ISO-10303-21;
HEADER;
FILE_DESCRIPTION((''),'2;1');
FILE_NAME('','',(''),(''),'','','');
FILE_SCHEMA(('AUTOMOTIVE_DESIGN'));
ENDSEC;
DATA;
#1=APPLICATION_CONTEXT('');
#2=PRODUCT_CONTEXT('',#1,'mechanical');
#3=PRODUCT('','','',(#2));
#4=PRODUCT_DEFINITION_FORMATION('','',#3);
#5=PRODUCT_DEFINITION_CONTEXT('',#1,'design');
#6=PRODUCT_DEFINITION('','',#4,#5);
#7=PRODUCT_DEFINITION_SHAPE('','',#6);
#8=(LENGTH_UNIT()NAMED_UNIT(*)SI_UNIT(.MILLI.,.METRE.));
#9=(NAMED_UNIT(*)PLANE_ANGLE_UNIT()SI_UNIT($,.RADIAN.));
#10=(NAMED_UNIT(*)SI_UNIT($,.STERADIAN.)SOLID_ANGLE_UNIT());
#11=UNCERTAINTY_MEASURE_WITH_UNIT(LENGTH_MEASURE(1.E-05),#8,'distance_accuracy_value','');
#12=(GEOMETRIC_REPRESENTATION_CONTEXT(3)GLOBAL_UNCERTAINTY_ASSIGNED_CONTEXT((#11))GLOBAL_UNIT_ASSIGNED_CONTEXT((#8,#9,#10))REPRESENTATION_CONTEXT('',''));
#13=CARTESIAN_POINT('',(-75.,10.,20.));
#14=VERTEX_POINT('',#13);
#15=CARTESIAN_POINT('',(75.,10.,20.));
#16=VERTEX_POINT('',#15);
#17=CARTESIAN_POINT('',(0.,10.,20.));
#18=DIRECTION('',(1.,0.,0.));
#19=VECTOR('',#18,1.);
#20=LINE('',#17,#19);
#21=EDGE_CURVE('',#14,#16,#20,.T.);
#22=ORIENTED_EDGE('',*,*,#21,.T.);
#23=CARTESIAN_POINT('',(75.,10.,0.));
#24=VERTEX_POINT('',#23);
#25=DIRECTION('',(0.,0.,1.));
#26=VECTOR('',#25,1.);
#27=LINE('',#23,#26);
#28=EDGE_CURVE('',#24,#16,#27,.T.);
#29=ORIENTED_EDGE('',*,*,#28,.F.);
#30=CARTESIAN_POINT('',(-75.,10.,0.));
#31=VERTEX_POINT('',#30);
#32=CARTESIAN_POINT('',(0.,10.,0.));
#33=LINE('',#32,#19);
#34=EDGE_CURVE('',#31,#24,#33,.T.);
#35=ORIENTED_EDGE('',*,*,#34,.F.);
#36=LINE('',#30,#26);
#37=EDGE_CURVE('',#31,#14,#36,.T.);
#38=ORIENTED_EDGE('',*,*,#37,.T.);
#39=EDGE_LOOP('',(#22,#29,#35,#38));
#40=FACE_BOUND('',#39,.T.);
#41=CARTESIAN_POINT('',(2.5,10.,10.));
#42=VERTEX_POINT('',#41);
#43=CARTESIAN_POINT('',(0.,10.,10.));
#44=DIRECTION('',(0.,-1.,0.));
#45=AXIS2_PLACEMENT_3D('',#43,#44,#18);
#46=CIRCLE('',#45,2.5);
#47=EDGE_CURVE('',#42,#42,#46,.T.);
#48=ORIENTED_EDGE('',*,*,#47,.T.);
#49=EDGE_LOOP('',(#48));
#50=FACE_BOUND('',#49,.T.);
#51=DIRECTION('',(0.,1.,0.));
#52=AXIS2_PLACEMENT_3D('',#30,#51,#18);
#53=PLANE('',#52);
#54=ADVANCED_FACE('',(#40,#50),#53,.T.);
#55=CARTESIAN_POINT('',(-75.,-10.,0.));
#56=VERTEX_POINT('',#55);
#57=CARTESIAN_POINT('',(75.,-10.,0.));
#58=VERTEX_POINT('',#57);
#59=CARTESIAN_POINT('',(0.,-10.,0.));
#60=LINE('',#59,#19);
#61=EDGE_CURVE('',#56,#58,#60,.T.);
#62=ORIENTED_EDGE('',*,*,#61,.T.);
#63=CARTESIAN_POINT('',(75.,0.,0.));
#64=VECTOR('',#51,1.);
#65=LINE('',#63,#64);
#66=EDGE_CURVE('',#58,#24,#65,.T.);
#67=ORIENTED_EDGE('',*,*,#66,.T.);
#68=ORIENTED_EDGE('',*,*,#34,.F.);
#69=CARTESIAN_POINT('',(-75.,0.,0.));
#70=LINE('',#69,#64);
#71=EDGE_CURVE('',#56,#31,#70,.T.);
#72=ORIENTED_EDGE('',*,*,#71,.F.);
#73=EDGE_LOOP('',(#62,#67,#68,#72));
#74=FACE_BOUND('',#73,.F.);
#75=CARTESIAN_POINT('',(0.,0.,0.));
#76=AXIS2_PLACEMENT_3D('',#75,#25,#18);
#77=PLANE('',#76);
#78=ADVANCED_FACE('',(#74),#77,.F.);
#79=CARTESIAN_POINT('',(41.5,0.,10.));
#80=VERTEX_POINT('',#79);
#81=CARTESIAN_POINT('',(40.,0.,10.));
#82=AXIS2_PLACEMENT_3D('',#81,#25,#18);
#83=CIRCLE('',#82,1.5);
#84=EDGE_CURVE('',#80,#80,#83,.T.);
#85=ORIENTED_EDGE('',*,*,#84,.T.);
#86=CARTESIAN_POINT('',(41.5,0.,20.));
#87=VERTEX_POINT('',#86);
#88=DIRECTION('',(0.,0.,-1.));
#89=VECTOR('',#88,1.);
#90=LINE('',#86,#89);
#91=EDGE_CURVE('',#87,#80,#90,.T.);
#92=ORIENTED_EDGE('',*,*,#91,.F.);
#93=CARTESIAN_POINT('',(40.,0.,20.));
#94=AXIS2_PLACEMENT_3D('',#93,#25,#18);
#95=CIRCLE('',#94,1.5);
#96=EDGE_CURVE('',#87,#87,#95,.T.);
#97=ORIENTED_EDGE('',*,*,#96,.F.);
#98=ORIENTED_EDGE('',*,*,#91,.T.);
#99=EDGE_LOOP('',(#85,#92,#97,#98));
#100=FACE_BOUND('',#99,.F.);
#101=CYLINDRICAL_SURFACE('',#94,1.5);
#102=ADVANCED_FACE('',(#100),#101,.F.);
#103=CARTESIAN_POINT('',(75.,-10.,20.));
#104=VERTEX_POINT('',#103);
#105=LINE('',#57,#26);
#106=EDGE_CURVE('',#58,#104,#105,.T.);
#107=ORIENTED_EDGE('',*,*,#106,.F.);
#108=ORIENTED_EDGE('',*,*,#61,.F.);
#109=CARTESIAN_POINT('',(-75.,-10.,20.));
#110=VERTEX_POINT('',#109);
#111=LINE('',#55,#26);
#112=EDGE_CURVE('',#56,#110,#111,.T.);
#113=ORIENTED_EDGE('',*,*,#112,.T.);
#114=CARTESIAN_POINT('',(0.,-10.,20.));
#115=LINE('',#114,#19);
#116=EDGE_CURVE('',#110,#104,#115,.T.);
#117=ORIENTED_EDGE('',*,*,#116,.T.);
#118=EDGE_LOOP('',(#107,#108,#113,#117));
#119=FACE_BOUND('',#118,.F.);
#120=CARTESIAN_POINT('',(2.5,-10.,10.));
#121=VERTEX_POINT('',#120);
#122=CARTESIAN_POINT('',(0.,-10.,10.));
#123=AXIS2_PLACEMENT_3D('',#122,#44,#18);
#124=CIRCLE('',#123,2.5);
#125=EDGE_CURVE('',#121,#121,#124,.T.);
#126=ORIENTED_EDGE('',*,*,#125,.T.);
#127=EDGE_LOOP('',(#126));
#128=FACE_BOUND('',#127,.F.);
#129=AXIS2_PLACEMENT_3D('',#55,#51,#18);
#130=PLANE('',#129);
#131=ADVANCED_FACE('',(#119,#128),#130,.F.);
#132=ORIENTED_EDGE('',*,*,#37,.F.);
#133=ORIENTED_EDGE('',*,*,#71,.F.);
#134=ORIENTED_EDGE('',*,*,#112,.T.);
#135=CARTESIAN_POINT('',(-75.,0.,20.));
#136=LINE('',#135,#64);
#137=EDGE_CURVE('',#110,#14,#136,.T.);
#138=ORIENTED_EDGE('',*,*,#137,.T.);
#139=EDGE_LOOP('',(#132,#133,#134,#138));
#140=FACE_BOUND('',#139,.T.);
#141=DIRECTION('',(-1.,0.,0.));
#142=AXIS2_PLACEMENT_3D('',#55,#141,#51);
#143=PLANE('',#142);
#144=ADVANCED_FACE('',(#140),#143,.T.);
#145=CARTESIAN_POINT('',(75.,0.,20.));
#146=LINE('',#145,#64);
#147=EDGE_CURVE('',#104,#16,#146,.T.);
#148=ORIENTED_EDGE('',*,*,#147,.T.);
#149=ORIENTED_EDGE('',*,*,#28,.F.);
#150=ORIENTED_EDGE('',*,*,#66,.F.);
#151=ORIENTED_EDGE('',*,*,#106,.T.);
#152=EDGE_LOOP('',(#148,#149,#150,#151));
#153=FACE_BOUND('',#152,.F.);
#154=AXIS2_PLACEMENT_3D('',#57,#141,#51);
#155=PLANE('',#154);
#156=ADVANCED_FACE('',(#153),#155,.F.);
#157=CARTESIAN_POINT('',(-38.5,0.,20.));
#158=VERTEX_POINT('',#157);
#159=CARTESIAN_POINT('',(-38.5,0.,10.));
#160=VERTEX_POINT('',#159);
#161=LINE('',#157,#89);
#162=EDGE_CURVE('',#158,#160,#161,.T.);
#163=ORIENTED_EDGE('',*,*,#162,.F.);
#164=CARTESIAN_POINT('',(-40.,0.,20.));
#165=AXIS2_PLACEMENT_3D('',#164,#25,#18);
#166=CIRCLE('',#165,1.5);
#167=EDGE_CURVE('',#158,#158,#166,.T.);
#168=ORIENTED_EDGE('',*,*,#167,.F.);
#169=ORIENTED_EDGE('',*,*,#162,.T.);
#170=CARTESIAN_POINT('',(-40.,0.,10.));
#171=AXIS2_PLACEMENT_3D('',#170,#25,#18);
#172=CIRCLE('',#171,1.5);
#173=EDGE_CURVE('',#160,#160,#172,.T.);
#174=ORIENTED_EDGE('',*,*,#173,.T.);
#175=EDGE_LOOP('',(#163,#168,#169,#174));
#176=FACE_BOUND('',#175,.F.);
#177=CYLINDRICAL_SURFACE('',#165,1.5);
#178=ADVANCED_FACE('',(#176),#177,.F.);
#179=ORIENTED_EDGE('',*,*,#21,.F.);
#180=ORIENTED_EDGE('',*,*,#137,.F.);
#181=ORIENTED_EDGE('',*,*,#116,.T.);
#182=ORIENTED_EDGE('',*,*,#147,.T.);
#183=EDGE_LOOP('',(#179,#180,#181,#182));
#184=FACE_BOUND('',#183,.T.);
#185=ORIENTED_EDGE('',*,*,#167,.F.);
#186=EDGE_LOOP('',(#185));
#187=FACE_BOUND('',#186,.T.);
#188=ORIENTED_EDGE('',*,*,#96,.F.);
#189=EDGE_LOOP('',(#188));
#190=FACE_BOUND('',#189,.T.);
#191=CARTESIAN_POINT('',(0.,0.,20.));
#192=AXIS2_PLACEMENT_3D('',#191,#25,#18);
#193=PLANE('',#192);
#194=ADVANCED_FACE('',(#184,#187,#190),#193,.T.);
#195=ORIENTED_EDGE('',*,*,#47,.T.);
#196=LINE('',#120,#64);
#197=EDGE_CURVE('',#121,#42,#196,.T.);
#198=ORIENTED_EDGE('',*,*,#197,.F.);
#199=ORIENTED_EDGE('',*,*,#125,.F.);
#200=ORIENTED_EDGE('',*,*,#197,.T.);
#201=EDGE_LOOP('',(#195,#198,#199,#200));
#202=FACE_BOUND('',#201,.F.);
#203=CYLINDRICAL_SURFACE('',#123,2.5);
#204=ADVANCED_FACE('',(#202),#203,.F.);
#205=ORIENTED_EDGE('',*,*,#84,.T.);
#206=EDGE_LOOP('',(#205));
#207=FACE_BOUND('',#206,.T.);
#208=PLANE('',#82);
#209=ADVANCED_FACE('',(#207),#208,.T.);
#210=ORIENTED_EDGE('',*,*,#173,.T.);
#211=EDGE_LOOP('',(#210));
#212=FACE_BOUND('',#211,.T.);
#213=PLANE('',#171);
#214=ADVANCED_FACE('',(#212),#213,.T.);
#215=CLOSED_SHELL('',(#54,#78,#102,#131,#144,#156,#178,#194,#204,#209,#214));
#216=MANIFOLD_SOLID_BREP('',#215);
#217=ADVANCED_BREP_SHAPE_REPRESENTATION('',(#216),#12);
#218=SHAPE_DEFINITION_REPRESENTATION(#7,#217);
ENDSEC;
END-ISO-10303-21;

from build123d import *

# Parameters (mm, degrees)
F0_W     = 150
F0_H     = 20
F1_DEPTH = 20
F2_R     = 1.5
F3_DEPTH = 10
F4_R     = 2.5
F5_DEPTH = 25


with BuildPart() as f1:
    # F0 (on Top) → F1 (new body)
    with BuildSketch(Plane.XY):
        Rectangle(F0_W, F0_H)
    extrude(amount=F1_DEPTH)

    # F2 (on face) → F3 (cut)
    with BuildSketch(Plane.XY.offset(20)):
        with Locations((40, 0)):
            Circle(F2_R)
        with Locations((-40, 0)):
            Circle(F2_R)
    extrude(amount=-F3_DEPTH, mode=Mode.SUBTRACT)

    # F4 (on face) → F5 (cut)
    with BuildSketch(Plane.XZ.offset(10)):
        with Locations((0, 10)):
            Circle(F4_R)
    extrude(amount=-F5_DEPTH, mode=Mode.SUBTRACT)


solid = f1.part
